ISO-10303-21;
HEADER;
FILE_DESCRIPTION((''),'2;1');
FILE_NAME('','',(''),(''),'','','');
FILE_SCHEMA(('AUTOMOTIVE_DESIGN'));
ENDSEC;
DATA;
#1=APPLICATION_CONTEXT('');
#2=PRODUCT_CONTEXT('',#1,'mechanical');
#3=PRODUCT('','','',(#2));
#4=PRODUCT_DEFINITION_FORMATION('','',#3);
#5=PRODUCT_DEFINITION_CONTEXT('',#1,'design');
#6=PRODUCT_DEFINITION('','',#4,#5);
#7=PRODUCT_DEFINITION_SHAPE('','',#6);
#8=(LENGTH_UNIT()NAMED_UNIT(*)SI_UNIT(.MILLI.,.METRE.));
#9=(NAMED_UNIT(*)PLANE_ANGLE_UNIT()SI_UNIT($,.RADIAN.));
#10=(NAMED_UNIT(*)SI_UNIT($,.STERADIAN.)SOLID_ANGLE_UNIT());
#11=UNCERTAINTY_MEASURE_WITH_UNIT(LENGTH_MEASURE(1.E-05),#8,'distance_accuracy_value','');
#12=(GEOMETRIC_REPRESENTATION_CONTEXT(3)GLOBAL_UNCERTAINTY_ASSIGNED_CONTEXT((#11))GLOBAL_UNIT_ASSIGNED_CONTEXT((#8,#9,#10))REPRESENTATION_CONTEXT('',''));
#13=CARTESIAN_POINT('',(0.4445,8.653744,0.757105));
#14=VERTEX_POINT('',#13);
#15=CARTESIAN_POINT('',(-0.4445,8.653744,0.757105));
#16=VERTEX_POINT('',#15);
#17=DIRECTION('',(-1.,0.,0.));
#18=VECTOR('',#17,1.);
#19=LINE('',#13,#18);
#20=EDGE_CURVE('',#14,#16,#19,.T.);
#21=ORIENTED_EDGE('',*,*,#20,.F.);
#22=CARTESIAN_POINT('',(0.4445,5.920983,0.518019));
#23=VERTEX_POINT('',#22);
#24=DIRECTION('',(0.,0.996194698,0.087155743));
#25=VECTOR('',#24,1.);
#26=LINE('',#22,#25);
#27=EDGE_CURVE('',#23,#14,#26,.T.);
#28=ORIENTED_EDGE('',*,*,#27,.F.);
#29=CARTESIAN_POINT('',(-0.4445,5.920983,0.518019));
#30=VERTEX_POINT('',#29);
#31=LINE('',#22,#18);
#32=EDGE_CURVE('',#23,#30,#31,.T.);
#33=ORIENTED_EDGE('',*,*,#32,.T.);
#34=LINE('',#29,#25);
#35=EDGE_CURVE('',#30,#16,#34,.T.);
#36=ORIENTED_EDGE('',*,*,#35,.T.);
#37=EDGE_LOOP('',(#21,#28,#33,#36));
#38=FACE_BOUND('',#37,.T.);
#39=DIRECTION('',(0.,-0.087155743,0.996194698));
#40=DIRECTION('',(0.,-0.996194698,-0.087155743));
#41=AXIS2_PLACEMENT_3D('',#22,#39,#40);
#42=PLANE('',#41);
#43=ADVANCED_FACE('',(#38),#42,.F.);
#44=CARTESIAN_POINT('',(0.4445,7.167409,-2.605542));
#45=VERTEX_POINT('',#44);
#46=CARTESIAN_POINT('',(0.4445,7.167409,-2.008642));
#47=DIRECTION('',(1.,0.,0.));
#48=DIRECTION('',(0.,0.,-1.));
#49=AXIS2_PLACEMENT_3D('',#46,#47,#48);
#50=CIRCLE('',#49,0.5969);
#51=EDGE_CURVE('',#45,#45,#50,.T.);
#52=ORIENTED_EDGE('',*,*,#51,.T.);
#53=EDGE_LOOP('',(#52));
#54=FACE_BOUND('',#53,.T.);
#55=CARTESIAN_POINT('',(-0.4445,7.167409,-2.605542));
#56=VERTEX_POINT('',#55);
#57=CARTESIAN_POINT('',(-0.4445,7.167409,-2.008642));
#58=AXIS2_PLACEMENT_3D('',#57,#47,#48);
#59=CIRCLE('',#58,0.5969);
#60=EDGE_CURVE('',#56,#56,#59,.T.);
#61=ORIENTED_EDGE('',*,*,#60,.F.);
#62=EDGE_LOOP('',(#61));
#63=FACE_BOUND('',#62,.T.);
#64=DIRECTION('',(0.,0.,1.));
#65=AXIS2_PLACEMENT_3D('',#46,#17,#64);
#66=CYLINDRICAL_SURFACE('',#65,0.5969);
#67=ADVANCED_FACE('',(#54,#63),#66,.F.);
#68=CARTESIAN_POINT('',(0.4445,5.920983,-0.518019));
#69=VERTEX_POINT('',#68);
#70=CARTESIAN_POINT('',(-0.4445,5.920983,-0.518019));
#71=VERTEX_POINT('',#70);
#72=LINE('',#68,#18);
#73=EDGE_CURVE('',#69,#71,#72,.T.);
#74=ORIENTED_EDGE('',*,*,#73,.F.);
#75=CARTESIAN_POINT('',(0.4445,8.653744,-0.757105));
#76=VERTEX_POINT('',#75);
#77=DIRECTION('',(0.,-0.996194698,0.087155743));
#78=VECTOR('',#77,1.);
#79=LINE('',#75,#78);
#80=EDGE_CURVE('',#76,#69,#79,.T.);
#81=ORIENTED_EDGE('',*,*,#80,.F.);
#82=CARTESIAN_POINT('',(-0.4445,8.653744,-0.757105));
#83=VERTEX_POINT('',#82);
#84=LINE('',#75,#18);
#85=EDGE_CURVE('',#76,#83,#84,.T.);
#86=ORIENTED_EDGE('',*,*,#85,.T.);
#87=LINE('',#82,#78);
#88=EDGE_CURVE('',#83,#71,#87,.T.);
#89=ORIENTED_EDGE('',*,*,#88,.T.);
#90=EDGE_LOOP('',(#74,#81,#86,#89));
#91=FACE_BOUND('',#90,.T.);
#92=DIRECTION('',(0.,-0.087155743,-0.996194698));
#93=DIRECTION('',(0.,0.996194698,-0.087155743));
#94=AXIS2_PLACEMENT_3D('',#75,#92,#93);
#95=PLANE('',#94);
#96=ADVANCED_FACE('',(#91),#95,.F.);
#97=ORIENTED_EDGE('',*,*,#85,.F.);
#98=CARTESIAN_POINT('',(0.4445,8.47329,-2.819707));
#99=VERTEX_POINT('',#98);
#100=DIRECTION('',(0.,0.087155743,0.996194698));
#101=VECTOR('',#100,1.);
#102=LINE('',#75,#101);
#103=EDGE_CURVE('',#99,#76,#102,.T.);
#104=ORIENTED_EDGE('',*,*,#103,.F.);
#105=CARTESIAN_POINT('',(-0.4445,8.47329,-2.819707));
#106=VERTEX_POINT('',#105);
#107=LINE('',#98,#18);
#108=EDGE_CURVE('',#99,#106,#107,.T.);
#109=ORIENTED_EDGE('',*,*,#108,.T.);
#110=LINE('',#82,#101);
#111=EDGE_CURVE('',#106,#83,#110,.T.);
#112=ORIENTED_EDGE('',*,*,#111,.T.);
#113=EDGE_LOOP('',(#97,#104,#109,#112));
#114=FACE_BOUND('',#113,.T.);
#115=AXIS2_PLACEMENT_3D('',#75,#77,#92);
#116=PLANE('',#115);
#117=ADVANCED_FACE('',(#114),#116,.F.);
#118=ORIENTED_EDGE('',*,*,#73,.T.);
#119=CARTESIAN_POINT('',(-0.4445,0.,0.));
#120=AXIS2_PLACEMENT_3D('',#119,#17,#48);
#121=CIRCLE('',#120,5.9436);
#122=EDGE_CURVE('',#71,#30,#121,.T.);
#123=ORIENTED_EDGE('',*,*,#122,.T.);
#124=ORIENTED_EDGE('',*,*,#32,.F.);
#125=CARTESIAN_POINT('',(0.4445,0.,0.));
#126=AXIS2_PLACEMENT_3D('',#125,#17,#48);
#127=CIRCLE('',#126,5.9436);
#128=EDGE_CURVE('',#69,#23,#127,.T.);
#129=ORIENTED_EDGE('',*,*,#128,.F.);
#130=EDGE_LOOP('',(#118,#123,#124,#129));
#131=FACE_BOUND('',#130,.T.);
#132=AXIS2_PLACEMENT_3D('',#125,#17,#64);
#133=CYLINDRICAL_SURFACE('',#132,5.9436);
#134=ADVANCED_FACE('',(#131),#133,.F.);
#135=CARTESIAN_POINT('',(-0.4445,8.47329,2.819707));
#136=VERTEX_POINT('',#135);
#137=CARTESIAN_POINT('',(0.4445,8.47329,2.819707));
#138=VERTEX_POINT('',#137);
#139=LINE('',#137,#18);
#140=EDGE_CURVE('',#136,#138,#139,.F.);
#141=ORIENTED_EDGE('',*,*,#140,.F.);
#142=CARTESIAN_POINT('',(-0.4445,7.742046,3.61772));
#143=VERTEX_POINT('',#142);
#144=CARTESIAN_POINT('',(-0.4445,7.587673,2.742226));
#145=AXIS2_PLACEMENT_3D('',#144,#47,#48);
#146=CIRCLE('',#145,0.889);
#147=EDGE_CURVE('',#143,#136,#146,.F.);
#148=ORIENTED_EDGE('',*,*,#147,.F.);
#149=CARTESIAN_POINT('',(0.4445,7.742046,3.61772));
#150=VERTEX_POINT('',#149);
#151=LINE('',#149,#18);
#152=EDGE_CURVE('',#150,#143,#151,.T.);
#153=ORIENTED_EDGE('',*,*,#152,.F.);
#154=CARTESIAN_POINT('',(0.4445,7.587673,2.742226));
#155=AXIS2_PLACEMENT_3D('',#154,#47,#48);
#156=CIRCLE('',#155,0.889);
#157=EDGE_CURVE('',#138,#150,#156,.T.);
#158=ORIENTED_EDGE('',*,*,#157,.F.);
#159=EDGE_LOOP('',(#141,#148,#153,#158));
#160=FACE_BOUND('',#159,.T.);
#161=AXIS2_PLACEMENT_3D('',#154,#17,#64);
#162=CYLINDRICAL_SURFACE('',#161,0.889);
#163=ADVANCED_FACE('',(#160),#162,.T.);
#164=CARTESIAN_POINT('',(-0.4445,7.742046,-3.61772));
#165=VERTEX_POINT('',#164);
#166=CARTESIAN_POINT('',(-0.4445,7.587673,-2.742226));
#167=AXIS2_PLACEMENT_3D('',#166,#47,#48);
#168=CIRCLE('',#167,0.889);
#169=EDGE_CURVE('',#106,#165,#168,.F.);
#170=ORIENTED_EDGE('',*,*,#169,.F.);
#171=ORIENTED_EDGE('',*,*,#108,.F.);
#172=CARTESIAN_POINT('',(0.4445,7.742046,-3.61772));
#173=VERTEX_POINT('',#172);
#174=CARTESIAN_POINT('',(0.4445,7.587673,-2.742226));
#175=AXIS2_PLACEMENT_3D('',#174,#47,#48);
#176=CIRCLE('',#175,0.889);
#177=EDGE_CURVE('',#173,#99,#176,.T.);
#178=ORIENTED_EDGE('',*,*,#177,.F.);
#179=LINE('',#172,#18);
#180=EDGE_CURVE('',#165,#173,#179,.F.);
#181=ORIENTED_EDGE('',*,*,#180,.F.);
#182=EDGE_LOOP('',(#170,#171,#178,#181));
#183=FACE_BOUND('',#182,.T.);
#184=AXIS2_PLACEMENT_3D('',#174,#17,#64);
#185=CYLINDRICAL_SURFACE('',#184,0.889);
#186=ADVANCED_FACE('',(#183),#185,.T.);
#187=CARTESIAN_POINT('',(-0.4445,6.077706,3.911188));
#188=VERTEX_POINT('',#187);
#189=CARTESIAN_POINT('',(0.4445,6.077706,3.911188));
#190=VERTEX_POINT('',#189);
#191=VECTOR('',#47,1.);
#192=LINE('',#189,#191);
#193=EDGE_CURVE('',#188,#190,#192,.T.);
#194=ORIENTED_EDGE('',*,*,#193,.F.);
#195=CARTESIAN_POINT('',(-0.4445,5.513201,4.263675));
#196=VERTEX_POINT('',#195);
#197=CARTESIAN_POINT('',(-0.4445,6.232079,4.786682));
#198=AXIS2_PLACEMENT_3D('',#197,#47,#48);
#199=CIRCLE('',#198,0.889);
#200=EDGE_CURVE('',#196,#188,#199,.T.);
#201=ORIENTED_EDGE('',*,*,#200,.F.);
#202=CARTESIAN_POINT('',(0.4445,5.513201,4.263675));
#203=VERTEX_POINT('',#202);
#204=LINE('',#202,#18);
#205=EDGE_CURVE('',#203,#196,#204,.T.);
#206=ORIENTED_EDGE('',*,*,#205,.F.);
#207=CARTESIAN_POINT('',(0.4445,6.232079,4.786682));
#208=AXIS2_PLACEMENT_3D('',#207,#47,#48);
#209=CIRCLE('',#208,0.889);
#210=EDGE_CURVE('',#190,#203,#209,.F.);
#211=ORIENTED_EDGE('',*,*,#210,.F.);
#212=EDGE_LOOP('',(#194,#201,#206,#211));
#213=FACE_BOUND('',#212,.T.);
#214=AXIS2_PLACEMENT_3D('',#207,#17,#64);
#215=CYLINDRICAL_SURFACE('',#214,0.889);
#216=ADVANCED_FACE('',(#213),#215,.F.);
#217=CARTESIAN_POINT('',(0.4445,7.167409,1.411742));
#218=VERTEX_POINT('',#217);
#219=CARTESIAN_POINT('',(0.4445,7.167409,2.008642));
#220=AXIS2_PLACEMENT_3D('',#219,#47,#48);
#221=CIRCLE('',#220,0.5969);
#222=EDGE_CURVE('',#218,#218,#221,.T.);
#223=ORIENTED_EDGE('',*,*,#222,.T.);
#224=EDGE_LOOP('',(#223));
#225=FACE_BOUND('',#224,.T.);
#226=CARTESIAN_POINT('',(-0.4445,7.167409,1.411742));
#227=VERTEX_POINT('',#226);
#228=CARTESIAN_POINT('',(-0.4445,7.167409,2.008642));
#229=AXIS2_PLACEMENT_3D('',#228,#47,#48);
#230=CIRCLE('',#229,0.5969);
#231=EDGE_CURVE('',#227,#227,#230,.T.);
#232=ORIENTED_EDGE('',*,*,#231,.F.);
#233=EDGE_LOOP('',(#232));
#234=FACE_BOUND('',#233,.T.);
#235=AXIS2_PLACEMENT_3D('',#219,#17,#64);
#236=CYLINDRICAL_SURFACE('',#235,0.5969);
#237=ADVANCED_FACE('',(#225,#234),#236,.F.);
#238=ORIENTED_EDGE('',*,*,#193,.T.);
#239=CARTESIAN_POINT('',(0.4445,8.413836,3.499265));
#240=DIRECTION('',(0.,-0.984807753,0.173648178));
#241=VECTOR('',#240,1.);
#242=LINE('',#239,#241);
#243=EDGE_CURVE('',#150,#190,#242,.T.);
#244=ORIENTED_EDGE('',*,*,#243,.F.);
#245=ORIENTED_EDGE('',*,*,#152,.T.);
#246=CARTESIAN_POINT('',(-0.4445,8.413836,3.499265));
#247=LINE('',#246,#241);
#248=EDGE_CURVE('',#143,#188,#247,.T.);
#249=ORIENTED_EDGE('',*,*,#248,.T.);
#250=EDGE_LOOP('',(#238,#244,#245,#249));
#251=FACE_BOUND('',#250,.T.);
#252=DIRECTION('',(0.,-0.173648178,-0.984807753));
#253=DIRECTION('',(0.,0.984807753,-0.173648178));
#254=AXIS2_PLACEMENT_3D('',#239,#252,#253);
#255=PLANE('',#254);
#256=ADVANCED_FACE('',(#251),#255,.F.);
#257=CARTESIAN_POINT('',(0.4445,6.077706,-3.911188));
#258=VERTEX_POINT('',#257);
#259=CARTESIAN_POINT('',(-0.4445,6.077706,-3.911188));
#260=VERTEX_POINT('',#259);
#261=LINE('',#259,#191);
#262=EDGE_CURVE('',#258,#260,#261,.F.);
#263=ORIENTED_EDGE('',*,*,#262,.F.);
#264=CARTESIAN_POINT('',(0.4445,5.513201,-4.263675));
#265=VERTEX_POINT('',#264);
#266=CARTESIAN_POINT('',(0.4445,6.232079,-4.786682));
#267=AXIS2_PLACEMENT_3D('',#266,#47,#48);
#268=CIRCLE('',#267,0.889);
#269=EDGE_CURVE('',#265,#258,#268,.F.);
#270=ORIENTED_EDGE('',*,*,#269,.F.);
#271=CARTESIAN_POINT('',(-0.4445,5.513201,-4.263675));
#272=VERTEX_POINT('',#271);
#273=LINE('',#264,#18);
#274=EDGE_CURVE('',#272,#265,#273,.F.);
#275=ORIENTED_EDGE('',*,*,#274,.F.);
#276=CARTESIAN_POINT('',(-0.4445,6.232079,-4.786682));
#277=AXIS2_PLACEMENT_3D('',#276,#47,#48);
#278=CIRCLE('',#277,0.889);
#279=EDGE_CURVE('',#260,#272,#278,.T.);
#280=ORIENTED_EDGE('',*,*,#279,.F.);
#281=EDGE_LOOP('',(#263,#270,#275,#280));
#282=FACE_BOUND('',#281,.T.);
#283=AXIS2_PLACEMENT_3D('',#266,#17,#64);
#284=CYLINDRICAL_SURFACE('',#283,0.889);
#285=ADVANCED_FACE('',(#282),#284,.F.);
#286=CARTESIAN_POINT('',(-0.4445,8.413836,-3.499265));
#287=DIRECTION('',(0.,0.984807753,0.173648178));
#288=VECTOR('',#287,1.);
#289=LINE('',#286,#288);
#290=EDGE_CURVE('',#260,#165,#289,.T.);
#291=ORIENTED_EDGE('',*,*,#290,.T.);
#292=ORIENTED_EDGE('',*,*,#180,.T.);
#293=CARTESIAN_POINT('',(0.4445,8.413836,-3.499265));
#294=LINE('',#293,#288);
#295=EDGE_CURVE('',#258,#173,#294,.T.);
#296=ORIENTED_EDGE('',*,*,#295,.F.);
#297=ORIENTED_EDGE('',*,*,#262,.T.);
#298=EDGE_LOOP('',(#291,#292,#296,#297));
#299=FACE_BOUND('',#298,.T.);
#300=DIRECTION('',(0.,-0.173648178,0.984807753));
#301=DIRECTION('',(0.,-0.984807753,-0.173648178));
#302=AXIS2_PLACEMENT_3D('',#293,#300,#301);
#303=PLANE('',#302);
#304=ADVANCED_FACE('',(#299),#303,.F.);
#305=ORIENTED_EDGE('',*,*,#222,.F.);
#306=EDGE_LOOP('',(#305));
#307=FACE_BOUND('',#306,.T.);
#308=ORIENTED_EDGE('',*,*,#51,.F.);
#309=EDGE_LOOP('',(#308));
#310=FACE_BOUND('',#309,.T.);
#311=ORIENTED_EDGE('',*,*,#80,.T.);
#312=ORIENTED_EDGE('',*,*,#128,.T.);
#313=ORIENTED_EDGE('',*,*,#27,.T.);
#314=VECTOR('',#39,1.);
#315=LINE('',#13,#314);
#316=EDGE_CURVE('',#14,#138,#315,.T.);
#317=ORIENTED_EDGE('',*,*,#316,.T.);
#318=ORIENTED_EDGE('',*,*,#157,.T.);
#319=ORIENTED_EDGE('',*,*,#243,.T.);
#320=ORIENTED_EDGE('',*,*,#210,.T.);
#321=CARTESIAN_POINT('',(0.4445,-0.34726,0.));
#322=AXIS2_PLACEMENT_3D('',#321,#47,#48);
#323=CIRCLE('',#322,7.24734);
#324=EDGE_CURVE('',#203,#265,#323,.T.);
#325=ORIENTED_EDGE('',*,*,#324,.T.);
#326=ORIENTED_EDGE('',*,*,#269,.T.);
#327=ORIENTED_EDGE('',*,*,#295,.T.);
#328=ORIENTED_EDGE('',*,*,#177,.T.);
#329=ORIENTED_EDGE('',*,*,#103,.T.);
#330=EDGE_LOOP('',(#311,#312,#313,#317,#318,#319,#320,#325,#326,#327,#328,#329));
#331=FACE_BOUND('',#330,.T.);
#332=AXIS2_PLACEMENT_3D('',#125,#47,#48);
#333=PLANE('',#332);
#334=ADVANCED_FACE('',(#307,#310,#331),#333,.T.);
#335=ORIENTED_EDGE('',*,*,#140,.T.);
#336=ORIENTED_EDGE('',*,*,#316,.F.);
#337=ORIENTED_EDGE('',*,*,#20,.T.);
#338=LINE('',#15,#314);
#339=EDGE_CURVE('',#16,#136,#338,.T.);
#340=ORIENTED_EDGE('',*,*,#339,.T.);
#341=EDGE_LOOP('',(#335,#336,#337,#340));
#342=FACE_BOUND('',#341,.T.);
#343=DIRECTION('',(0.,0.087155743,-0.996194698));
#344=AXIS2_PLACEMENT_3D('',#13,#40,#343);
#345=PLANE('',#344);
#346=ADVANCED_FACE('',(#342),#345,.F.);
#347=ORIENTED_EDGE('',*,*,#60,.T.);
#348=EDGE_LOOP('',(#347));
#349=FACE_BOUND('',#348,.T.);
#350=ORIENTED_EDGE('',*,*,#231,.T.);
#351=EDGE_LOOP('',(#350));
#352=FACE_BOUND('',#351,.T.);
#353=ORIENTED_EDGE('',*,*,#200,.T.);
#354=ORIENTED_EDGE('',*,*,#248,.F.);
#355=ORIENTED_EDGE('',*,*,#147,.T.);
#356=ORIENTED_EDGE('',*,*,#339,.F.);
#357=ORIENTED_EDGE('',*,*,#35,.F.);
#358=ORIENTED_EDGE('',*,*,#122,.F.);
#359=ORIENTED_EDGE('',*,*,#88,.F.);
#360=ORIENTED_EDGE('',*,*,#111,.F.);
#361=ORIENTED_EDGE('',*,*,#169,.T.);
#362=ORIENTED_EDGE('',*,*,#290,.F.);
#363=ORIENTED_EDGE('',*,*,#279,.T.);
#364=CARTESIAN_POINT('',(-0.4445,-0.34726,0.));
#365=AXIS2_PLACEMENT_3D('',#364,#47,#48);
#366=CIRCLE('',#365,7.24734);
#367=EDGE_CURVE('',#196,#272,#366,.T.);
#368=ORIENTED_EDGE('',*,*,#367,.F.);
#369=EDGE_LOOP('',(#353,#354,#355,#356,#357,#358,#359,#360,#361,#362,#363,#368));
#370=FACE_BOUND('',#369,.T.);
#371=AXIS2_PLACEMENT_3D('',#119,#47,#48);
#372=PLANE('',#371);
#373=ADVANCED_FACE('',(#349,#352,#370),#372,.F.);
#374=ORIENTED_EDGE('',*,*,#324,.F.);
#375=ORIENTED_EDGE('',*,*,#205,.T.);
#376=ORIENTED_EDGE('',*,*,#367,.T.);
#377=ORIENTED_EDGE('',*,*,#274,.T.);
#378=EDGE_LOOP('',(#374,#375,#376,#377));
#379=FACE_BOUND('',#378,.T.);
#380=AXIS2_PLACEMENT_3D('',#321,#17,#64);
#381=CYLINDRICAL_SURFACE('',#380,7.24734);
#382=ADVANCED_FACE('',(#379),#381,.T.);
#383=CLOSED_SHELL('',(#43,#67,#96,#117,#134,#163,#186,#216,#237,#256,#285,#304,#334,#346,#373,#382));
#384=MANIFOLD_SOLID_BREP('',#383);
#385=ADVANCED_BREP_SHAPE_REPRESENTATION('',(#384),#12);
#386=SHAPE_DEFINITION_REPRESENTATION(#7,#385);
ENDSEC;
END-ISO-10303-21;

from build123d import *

# Parameters (mm, degrees)
SKETCH1_R      = 0.5969
EXTRUDE1_DEPTH = 0.4445
FILLET1_R      = 0.889


with BuildPart() as part:
    # Sketch1 → Extrude1 (new, symmetric)
    with BuildSketch(Plane(origin=(0, 0, 0), x_dir=(0, 0, -1), z_dir=(1, 0, 0))):
        with BuildLine():
            Line((-0.518018873, 5.920982808), (-0.757104506, 8.653744103))
            Line((-0.757104506, 8.653744103), (-3.499265184, 8.41383613))
            Line((-3.499265184, 8.41383613), (-3.975616865, 5.712311502))
            ThreePointArc((-3.975616865, 5.712311502), (0, -7.5946), (3.975616865, 5.712311502))
            Line((3.975616865, 5.712311502), (3.499265184, 8.41383613))
            Line((3.499265184, 8.41383613), (0.757104506, 8.653744103))
            Line((0.757104506, 8.653744103), (0.518018873, 5.920982808))
            ThreePointArc((0.518018873, 5.920982808), (0, -5.9436), (-0.518018873, 5.920982808))
        make_face()
        with Locations((-2.008642028, 7.167409469)):
            Circle(SKETCH1_R, mode=Mode.SUBTRACT)
        with Locations((2.008642028, 7.167409469)):
            Circle(SKETCH1_R, mode=Mode.SUBTRACT)
    extrude(amount=EXTRUDE1_DEPTH, both=True)

    # Fillet1
    fillet1_edges = [part.edges().sort_by_distance(p)[0] for p in [
        (0, 8.41383613, -3.499265184),
        (0, 5.712311502, -3.975616865),
        (0, 5.712311502, 3.975616865),
        (0, 8.41383613, 3.499265184),
    ]]
    fillet(fillet1_edges, radius=FILLET1_R)


solid = part.part
